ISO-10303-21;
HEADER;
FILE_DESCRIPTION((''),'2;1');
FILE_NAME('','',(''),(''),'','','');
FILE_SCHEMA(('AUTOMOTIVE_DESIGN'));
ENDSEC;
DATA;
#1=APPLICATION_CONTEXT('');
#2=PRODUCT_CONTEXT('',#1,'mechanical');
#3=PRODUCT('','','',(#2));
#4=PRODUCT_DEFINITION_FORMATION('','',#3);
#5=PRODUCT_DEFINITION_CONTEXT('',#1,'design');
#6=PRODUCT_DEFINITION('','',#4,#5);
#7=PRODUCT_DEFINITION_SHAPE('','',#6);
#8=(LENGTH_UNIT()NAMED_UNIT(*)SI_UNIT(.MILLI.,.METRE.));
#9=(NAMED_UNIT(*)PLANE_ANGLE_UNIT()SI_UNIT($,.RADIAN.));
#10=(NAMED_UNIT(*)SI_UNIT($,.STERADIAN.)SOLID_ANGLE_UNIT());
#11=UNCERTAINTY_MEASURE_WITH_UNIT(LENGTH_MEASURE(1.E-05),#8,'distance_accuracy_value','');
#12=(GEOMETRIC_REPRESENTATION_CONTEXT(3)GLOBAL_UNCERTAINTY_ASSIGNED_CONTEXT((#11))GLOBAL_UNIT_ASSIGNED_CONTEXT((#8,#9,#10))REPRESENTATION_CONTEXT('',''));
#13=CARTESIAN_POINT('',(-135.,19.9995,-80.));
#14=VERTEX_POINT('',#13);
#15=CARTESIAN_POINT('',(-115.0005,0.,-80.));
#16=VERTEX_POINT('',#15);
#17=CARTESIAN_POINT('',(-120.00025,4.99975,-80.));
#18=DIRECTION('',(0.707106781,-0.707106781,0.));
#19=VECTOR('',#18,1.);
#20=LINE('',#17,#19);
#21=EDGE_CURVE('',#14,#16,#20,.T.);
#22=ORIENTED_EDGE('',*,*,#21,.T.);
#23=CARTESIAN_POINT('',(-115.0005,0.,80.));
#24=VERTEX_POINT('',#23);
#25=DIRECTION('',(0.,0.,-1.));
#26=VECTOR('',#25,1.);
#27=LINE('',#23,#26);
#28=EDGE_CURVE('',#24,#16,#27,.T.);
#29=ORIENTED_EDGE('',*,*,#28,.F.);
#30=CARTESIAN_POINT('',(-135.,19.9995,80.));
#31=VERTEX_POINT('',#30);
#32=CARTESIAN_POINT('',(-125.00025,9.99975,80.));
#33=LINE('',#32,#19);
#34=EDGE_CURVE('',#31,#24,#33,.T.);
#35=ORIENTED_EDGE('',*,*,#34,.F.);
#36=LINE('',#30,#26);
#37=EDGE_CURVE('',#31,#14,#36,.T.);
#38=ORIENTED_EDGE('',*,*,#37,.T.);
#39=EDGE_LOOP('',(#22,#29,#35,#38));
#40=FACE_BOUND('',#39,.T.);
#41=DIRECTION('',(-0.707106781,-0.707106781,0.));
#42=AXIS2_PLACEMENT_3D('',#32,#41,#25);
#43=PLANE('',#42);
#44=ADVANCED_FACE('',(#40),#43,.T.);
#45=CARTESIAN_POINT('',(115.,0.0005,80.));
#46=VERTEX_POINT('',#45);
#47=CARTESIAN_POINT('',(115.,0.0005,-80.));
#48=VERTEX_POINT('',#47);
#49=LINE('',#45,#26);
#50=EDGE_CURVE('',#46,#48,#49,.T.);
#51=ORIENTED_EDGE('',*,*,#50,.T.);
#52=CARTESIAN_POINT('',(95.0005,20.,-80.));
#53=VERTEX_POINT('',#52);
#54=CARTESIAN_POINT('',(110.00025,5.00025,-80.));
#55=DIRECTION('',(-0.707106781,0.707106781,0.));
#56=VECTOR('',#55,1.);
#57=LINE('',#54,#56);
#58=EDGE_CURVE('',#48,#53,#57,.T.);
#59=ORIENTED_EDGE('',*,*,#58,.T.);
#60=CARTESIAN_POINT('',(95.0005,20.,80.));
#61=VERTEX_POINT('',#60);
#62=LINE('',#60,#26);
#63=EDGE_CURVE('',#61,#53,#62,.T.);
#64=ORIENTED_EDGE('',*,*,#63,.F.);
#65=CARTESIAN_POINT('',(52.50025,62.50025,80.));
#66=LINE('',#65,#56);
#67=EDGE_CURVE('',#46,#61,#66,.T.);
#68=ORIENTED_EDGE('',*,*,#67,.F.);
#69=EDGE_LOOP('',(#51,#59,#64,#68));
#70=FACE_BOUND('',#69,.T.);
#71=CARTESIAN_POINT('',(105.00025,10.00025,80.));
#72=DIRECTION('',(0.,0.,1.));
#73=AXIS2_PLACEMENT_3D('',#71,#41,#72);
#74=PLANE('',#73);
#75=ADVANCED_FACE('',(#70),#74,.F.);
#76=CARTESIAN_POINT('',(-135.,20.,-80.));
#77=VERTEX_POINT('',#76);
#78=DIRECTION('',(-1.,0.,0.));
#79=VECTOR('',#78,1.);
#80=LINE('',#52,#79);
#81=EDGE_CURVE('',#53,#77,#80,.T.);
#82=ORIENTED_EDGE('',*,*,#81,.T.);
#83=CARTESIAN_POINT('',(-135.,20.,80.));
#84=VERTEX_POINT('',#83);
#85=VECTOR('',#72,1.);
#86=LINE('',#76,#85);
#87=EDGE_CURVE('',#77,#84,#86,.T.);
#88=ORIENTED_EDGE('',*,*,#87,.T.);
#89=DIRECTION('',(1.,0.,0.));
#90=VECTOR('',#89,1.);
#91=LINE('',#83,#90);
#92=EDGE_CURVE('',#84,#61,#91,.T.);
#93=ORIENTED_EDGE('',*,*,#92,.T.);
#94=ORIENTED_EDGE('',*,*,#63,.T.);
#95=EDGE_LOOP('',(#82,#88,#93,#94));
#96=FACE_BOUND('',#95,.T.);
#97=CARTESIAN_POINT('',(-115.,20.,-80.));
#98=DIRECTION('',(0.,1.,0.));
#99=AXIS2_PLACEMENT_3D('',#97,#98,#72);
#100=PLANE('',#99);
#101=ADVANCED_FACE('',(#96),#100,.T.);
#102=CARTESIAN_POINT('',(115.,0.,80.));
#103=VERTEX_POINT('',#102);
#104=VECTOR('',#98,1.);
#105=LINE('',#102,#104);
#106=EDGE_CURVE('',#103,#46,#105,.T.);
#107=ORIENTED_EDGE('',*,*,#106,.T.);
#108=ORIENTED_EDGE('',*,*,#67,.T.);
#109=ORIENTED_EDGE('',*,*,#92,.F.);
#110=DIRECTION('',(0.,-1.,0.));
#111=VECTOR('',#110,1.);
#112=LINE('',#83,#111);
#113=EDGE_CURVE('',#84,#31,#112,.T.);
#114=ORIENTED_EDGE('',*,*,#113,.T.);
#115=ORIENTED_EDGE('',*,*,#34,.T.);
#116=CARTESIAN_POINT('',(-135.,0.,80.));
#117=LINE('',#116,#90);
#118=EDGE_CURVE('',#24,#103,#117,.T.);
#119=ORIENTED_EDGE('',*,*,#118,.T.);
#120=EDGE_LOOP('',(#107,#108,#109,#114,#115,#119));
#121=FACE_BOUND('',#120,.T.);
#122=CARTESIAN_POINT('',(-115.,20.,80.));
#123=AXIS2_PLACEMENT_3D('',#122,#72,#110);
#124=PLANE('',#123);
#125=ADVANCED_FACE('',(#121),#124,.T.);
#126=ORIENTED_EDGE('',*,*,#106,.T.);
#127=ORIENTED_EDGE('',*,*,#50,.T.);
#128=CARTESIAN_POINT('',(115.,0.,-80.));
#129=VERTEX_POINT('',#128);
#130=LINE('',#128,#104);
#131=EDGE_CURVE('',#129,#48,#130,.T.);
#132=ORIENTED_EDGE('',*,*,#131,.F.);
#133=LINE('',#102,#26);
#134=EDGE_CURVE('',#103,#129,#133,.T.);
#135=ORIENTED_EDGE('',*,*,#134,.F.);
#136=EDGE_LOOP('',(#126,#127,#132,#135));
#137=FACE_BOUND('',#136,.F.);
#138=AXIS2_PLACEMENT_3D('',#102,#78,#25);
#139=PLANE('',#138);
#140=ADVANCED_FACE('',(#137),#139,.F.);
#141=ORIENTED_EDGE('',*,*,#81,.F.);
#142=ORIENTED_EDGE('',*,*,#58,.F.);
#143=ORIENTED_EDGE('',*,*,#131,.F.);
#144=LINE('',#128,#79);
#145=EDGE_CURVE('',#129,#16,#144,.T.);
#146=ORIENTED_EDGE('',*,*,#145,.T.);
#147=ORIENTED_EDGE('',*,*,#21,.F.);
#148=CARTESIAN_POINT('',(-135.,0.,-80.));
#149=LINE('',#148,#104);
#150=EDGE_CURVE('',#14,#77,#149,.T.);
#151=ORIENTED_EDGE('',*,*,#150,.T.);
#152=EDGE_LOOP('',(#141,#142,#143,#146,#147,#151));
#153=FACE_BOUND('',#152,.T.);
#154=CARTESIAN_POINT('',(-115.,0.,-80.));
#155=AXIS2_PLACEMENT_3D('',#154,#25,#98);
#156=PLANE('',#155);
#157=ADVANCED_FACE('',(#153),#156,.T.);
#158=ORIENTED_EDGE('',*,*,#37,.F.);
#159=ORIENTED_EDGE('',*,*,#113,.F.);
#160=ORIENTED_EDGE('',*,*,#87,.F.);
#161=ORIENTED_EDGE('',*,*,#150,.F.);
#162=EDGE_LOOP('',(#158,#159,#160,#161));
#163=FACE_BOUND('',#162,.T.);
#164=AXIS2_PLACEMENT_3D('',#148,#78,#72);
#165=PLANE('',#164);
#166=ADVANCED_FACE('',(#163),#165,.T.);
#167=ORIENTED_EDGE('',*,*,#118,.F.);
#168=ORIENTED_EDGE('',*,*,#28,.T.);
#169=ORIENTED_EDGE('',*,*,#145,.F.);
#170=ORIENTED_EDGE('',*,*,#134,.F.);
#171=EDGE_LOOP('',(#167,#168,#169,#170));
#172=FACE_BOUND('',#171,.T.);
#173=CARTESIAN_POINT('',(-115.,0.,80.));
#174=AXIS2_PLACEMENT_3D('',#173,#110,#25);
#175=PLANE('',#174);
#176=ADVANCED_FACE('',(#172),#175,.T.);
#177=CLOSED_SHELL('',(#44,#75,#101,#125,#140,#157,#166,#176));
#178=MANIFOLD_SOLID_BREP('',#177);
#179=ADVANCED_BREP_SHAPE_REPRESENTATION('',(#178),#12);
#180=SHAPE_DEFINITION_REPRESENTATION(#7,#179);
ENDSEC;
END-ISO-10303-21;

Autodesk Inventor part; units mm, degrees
ref_plane "YZ Plane" through (0, 0, 0) normal (1, 0, 0) x (0, 1, 0)
ref_plane "XZ Plane" through (0, 0, 0) normal (0, 1, 0) x (-1, 0, 0)
ref_plane "XY Plane" through (0, 0, 0) normal (0, 0, 1) x (1, 0, 0)
sketch "Sketch1" plane through (0, 0, 0) normal (0, 1, 0) x (-1, 0, 0)
  line L0 (-115, -80) -> (115, -80)
  line L1 (115, -80) -> (115, 80)
  line L2 (115, 80) -> (-115, 80)
  line L3 (-115, 80) -> (-115, -80)
  line L4 (-115, -80) -> (115, 80) construction
  line L5 (115, -80) -> (-115, 80) construction
  point P0 (0, 0)
  dimension "d0" = 230
  dimension "d1" = 160
extrude "Extrusion1" add sketch "Sketch1" along normal blind 20
chamfer "Chamfer1" distance 20 angle 45 1 edges at (115, 20, 0)
sketch "Sketch2" plane through (-115, 0, -80) normal (-1, 0, 0) x (0, 0, 1)
  line L0 (0, 20) -> (160, 20) projected
  line L1 (0, 20) -> (160, 20)
  line L2 (160, 20) -> (160, 0)
  line L3 (160, 0) -> (0, 0)
  line L4 (0, 0) -> (0, 20)
  point P0 (80, 0)
extrude "Extrusion2" add sketch "Sketch2" along normal blind 20
chamfer "Chamfer2" distance 20 angle 45 1 edges at (-135, 0, 0)
properties part number "FieldOfView" material "Titanium"
